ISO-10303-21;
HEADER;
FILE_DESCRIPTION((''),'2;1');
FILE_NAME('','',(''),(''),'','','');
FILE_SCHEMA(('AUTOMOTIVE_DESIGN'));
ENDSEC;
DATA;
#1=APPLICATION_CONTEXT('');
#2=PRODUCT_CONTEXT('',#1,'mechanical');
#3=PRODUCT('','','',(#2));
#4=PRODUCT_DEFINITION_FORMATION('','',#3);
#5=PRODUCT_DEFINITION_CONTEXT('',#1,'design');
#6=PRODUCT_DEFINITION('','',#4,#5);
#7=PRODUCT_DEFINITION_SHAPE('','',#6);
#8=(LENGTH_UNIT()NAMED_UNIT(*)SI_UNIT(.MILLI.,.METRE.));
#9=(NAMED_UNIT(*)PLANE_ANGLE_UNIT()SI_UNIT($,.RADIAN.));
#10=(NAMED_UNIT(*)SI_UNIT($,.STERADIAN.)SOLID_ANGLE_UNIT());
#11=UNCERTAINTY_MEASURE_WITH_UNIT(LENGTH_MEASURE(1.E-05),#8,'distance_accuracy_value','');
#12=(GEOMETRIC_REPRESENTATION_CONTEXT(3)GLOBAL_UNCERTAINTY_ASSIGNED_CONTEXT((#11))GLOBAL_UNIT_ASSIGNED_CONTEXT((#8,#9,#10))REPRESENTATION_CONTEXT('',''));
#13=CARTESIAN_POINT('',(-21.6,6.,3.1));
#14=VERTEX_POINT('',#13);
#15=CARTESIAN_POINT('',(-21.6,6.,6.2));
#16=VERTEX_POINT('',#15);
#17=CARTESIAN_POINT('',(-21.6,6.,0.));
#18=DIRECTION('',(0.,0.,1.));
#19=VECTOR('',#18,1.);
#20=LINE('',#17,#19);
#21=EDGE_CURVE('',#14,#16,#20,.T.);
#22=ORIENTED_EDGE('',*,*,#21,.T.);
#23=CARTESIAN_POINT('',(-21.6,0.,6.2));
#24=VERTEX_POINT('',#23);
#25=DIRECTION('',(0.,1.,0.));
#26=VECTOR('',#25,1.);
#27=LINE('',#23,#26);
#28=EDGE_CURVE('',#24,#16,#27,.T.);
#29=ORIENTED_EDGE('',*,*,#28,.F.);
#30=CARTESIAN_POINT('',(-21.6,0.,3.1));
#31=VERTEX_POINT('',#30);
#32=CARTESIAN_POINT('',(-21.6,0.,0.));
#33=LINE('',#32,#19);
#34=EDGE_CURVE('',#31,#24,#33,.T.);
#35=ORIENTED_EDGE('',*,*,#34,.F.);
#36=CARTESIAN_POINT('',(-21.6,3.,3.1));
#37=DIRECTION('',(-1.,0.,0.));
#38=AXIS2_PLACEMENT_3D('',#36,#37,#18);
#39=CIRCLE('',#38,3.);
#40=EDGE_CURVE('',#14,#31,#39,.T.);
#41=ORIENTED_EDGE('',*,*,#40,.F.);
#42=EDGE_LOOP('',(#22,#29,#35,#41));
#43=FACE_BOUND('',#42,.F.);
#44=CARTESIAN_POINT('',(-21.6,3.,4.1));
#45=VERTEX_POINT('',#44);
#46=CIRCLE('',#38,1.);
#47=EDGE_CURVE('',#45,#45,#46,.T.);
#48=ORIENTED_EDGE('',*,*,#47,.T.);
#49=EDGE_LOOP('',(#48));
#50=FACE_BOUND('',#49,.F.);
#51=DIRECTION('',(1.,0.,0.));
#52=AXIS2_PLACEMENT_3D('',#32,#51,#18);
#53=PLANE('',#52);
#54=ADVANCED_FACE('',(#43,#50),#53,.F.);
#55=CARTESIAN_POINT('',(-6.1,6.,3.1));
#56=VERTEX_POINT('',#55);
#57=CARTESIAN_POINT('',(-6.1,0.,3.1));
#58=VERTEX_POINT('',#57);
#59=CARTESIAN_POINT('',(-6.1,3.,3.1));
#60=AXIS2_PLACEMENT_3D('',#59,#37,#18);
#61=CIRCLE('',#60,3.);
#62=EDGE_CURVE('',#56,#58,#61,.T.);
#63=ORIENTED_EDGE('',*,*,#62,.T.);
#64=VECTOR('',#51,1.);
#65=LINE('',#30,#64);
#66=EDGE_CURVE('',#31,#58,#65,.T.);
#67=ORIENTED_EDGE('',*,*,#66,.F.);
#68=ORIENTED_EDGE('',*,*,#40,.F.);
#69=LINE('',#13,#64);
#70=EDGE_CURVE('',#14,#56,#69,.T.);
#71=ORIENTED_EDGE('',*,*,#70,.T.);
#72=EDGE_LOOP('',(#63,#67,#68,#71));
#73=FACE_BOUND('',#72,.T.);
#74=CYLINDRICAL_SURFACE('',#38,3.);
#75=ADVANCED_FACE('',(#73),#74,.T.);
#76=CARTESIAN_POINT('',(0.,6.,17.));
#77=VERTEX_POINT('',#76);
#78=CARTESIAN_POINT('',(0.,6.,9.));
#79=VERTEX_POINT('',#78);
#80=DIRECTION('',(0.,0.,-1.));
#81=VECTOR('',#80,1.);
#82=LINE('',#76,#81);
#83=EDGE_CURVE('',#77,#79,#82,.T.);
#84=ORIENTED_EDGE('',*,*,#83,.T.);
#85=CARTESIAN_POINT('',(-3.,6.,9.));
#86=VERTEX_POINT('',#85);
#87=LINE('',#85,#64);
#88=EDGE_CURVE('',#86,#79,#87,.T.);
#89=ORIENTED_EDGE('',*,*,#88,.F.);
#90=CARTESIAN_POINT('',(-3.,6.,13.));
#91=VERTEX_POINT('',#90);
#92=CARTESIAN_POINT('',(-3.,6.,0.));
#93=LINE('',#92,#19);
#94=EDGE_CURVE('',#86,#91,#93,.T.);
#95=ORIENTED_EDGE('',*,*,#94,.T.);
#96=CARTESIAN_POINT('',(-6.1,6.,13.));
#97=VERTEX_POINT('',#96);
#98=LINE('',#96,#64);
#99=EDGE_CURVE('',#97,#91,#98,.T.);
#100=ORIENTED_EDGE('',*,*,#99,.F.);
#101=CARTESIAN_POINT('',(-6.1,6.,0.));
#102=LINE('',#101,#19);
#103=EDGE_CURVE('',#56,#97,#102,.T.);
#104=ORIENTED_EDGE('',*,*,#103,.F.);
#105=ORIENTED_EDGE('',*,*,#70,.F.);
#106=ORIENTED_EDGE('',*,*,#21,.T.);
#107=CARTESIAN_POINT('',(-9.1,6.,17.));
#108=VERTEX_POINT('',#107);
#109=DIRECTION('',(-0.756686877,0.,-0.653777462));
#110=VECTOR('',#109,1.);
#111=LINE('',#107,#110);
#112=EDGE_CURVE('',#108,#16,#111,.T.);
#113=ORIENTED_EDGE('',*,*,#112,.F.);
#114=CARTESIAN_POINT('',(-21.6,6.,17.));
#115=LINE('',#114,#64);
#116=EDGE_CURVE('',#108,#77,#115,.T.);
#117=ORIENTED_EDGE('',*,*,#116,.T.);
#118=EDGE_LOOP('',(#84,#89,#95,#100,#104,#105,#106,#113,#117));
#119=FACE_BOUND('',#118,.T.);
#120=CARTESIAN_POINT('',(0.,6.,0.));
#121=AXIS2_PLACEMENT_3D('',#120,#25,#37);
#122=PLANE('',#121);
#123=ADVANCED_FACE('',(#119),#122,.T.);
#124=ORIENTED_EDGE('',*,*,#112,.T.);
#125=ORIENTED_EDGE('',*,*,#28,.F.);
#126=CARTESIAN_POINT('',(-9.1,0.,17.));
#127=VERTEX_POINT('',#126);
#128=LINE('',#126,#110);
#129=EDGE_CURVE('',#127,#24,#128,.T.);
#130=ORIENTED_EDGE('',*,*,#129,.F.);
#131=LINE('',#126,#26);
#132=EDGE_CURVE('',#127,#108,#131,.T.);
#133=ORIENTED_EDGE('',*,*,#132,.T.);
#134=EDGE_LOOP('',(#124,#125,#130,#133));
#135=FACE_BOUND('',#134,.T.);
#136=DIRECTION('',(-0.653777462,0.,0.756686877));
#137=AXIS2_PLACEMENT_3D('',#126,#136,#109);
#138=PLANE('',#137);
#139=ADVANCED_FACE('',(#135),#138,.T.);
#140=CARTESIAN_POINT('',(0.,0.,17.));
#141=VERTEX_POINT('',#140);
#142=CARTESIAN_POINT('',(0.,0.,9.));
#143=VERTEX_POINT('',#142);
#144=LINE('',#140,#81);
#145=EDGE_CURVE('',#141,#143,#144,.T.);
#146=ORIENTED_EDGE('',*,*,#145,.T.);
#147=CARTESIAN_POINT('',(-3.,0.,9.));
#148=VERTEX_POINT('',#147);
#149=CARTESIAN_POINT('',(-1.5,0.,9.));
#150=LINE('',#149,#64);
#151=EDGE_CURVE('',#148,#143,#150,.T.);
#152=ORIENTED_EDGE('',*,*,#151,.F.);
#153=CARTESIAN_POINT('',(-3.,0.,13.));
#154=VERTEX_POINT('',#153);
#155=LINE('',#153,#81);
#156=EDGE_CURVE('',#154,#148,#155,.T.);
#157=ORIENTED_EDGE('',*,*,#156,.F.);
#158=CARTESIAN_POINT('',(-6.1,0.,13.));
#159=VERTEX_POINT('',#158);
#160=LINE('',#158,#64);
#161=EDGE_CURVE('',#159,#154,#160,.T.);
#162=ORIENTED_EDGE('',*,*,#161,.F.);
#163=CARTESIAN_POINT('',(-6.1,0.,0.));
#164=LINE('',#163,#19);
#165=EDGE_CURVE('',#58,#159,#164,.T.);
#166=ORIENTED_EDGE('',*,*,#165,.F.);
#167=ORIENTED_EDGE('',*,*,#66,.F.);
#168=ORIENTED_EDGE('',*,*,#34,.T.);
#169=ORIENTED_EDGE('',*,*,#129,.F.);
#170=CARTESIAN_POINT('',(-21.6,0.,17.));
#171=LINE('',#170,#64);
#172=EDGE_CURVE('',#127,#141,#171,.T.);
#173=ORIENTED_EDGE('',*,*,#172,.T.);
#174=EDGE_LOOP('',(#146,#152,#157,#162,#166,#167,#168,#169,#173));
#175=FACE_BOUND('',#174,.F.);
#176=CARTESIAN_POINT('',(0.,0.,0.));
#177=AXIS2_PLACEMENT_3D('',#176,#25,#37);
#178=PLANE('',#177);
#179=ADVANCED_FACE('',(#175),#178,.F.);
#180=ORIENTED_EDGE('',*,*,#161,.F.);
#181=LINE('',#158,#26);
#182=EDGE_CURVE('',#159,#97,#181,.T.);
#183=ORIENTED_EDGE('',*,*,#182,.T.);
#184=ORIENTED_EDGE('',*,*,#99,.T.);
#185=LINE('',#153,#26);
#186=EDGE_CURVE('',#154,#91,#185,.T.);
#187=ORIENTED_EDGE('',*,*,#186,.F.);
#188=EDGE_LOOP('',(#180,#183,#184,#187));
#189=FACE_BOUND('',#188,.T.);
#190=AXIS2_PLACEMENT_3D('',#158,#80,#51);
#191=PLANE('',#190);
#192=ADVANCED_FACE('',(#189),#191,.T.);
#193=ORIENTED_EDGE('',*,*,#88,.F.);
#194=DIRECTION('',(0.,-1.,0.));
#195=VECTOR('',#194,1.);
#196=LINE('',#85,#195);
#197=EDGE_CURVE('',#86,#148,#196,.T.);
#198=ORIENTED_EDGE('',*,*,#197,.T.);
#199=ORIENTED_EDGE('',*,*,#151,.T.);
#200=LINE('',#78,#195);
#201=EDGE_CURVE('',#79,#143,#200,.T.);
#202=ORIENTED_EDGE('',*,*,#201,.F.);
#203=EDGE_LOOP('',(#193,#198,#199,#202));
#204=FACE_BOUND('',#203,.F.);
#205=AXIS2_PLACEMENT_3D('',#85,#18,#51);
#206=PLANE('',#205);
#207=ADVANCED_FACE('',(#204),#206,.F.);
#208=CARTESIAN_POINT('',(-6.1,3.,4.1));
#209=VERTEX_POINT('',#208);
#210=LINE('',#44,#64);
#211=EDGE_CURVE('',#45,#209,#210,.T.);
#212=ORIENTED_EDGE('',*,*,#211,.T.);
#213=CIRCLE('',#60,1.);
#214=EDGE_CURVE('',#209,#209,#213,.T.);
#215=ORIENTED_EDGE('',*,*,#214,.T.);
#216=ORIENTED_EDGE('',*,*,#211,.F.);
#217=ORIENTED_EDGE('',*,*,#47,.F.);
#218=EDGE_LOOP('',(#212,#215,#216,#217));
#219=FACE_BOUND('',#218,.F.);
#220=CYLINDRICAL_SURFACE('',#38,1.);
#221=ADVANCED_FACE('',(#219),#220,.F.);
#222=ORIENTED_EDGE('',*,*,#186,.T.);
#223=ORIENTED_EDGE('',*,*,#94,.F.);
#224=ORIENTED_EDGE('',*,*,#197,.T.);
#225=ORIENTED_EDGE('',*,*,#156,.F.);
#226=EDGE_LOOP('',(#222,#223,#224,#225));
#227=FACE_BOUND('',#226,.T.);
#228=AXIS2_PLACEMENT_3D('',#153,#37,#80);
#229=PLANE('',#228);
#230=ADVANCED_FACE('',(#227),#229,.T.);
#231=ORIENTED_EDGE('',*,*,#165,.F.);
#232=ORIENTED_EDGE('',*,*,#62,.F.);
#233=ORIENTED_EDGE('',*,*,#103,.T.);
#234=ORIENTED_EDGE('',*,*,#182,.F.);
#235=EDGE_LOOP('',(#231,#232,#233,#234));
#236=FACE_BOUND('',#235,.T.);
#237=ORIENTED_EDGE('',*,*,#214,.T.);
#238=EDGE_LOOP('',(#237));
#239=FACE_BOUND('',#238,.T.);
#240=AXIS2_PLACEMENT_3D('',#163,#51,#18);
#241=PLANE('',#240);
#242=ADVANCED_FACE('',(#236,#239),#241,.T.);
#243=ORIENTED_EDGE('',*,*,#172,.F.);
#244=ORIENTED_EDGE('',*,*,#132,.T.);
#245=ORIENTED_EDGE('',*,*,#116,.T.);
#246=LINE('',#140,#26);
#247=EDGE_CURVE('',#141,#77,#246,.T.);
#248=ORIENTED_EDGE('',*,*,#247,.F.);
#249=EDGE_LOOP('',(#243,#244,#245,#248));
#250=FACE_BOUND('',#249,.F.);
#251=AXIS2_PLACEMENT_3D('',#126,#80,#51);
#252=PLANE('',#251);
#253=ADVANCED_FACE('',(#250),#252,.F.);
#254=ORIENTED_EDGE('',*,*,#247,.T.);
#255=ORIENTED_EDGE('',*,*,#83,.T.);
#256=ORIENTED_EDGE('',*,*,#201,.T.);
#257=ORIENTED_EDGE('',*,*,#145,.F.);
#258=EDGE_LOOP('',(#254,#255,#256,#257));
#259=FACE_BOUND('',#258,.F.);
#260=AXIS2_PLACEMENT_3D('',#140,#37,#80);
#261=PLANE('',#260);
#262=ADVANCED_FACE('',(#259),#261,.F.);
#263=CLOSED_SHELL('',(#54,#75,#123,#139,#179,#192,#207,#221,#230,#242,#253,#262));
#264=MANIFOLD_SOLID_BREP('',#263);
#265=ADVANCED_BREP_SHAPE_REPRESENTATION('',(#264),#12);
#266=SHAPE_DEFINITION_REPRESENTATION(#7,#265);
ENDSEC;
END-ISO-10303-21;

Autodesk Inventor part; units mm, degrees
ref_plane "YZ Plane" through (0, 0, 0) normal (1, 0, 0) x (0, 1, 0)
ref_plane "XZ Plane" through (0, 0, 0) normal (0, 1, 0) x (-1, 0, 0)
ref_plane "XY Plane" through (0, 0, 0) normal (0, 0, 1) x (1, 0, 0)
sketch "Sketch1" plane through (0, 0, 0) normal (0, 1, 0) x (-1, 0, 0)
  line L0 (0, 0) -> (21.6, 0)
  line L1 (21.6, 0) -> (21.6, 17)
  line L2 (21.6, 17) -> (0, 17)
  line L3 (0, 17) -> (0, 0)
  line L4 (6.1, 13) -> (3, 13)
  line L5 (3, 13) -> (3, 0)
  line L6 (3, 0) -> (6.1, 0)
  line L7 (6.1, 0) -> (6.1, 13)
  line L8 (21.6, 17) -> (9.1, 17)
  line L9 (9.1, 17) -> (9.1, 0)
  line L10 (9.1, 0) -> (21.6, 0)
  line L11 (21.6, 0) -> (21.6, 17)
  line L12 (9.1, 17) -> (21.6, 6.2)
  point P0 (21.6, 6.2)
  point P1 (9.1, 17)
  dimension "d1" = 17
  dimension "d2" = 3.1
  dimension "d3" = 3
  dimension "d4" = 3
  dimension "d5" = 6.2
  dimension "d17" = 13
  dimension "d18" = 12.5
extrude "Extrusion1" add sketch "Sketch1" along normal blind 6 contours L3 L2 L9 L0 L7 L4 L5 | L12 L1 L0 L9
sketch "Sketch2" plane through (-21.6, 0, 0) normal (-1, 0, 0) x (0, 0, 1)
  circle A0 centre (3.1, 3) radius 3
  line L0 (0, 0) -> (13, 0) projected
  line L1 (0, 0) -> (0, 6) projected
  line L2 (17, 6) -> (0, 6) projected
  line L3 (0, 0) -> (6.2302, 0)
  line L4 (6.2302, 0) -> (6.2302, 6)
  line L5 (6.2302, 6) -> (0, 6)
  line L6 (0, 6) -> (0, 0)
  circle A1 centre (3.1, 3) radius 1
  point P0 (3.1, 6)
  point P1 (3.1, 0)
  dimension "d8" = 3.1
  dimension "d9" = 2
extrude "Extrusion2" cut sketch "Sketch2" against normal up to surface (18.6 mm away) contours A0 L0 L1 L2 | A1
sketch "Sketch3" plane through (0, 6, 0) normal (0, 1, 0) x (1, 0, 0)
  line L0 (-3, 0) -> (-3, -13) projected
  line L1 (0, 0) -> (-3, 0) projected
  line L2 (-3, -9) -> (0, -9)
  line L3 (0, -9) -> (0, 0)
  line L4 (0, 0) -> (-3, 0)
  line L5 (-3, 0) -> (-3, -9)
  line L6 (-3, -13) -> (-6.1, -13) projected
  line L7 (-9.1, -17) -> (0, -17) projected
  dimension "d13" = 8
extrude "Extrusion3" cut sketch "Sketch3" against normal blind 10
properties part number "Pi3B_spacer_R"
